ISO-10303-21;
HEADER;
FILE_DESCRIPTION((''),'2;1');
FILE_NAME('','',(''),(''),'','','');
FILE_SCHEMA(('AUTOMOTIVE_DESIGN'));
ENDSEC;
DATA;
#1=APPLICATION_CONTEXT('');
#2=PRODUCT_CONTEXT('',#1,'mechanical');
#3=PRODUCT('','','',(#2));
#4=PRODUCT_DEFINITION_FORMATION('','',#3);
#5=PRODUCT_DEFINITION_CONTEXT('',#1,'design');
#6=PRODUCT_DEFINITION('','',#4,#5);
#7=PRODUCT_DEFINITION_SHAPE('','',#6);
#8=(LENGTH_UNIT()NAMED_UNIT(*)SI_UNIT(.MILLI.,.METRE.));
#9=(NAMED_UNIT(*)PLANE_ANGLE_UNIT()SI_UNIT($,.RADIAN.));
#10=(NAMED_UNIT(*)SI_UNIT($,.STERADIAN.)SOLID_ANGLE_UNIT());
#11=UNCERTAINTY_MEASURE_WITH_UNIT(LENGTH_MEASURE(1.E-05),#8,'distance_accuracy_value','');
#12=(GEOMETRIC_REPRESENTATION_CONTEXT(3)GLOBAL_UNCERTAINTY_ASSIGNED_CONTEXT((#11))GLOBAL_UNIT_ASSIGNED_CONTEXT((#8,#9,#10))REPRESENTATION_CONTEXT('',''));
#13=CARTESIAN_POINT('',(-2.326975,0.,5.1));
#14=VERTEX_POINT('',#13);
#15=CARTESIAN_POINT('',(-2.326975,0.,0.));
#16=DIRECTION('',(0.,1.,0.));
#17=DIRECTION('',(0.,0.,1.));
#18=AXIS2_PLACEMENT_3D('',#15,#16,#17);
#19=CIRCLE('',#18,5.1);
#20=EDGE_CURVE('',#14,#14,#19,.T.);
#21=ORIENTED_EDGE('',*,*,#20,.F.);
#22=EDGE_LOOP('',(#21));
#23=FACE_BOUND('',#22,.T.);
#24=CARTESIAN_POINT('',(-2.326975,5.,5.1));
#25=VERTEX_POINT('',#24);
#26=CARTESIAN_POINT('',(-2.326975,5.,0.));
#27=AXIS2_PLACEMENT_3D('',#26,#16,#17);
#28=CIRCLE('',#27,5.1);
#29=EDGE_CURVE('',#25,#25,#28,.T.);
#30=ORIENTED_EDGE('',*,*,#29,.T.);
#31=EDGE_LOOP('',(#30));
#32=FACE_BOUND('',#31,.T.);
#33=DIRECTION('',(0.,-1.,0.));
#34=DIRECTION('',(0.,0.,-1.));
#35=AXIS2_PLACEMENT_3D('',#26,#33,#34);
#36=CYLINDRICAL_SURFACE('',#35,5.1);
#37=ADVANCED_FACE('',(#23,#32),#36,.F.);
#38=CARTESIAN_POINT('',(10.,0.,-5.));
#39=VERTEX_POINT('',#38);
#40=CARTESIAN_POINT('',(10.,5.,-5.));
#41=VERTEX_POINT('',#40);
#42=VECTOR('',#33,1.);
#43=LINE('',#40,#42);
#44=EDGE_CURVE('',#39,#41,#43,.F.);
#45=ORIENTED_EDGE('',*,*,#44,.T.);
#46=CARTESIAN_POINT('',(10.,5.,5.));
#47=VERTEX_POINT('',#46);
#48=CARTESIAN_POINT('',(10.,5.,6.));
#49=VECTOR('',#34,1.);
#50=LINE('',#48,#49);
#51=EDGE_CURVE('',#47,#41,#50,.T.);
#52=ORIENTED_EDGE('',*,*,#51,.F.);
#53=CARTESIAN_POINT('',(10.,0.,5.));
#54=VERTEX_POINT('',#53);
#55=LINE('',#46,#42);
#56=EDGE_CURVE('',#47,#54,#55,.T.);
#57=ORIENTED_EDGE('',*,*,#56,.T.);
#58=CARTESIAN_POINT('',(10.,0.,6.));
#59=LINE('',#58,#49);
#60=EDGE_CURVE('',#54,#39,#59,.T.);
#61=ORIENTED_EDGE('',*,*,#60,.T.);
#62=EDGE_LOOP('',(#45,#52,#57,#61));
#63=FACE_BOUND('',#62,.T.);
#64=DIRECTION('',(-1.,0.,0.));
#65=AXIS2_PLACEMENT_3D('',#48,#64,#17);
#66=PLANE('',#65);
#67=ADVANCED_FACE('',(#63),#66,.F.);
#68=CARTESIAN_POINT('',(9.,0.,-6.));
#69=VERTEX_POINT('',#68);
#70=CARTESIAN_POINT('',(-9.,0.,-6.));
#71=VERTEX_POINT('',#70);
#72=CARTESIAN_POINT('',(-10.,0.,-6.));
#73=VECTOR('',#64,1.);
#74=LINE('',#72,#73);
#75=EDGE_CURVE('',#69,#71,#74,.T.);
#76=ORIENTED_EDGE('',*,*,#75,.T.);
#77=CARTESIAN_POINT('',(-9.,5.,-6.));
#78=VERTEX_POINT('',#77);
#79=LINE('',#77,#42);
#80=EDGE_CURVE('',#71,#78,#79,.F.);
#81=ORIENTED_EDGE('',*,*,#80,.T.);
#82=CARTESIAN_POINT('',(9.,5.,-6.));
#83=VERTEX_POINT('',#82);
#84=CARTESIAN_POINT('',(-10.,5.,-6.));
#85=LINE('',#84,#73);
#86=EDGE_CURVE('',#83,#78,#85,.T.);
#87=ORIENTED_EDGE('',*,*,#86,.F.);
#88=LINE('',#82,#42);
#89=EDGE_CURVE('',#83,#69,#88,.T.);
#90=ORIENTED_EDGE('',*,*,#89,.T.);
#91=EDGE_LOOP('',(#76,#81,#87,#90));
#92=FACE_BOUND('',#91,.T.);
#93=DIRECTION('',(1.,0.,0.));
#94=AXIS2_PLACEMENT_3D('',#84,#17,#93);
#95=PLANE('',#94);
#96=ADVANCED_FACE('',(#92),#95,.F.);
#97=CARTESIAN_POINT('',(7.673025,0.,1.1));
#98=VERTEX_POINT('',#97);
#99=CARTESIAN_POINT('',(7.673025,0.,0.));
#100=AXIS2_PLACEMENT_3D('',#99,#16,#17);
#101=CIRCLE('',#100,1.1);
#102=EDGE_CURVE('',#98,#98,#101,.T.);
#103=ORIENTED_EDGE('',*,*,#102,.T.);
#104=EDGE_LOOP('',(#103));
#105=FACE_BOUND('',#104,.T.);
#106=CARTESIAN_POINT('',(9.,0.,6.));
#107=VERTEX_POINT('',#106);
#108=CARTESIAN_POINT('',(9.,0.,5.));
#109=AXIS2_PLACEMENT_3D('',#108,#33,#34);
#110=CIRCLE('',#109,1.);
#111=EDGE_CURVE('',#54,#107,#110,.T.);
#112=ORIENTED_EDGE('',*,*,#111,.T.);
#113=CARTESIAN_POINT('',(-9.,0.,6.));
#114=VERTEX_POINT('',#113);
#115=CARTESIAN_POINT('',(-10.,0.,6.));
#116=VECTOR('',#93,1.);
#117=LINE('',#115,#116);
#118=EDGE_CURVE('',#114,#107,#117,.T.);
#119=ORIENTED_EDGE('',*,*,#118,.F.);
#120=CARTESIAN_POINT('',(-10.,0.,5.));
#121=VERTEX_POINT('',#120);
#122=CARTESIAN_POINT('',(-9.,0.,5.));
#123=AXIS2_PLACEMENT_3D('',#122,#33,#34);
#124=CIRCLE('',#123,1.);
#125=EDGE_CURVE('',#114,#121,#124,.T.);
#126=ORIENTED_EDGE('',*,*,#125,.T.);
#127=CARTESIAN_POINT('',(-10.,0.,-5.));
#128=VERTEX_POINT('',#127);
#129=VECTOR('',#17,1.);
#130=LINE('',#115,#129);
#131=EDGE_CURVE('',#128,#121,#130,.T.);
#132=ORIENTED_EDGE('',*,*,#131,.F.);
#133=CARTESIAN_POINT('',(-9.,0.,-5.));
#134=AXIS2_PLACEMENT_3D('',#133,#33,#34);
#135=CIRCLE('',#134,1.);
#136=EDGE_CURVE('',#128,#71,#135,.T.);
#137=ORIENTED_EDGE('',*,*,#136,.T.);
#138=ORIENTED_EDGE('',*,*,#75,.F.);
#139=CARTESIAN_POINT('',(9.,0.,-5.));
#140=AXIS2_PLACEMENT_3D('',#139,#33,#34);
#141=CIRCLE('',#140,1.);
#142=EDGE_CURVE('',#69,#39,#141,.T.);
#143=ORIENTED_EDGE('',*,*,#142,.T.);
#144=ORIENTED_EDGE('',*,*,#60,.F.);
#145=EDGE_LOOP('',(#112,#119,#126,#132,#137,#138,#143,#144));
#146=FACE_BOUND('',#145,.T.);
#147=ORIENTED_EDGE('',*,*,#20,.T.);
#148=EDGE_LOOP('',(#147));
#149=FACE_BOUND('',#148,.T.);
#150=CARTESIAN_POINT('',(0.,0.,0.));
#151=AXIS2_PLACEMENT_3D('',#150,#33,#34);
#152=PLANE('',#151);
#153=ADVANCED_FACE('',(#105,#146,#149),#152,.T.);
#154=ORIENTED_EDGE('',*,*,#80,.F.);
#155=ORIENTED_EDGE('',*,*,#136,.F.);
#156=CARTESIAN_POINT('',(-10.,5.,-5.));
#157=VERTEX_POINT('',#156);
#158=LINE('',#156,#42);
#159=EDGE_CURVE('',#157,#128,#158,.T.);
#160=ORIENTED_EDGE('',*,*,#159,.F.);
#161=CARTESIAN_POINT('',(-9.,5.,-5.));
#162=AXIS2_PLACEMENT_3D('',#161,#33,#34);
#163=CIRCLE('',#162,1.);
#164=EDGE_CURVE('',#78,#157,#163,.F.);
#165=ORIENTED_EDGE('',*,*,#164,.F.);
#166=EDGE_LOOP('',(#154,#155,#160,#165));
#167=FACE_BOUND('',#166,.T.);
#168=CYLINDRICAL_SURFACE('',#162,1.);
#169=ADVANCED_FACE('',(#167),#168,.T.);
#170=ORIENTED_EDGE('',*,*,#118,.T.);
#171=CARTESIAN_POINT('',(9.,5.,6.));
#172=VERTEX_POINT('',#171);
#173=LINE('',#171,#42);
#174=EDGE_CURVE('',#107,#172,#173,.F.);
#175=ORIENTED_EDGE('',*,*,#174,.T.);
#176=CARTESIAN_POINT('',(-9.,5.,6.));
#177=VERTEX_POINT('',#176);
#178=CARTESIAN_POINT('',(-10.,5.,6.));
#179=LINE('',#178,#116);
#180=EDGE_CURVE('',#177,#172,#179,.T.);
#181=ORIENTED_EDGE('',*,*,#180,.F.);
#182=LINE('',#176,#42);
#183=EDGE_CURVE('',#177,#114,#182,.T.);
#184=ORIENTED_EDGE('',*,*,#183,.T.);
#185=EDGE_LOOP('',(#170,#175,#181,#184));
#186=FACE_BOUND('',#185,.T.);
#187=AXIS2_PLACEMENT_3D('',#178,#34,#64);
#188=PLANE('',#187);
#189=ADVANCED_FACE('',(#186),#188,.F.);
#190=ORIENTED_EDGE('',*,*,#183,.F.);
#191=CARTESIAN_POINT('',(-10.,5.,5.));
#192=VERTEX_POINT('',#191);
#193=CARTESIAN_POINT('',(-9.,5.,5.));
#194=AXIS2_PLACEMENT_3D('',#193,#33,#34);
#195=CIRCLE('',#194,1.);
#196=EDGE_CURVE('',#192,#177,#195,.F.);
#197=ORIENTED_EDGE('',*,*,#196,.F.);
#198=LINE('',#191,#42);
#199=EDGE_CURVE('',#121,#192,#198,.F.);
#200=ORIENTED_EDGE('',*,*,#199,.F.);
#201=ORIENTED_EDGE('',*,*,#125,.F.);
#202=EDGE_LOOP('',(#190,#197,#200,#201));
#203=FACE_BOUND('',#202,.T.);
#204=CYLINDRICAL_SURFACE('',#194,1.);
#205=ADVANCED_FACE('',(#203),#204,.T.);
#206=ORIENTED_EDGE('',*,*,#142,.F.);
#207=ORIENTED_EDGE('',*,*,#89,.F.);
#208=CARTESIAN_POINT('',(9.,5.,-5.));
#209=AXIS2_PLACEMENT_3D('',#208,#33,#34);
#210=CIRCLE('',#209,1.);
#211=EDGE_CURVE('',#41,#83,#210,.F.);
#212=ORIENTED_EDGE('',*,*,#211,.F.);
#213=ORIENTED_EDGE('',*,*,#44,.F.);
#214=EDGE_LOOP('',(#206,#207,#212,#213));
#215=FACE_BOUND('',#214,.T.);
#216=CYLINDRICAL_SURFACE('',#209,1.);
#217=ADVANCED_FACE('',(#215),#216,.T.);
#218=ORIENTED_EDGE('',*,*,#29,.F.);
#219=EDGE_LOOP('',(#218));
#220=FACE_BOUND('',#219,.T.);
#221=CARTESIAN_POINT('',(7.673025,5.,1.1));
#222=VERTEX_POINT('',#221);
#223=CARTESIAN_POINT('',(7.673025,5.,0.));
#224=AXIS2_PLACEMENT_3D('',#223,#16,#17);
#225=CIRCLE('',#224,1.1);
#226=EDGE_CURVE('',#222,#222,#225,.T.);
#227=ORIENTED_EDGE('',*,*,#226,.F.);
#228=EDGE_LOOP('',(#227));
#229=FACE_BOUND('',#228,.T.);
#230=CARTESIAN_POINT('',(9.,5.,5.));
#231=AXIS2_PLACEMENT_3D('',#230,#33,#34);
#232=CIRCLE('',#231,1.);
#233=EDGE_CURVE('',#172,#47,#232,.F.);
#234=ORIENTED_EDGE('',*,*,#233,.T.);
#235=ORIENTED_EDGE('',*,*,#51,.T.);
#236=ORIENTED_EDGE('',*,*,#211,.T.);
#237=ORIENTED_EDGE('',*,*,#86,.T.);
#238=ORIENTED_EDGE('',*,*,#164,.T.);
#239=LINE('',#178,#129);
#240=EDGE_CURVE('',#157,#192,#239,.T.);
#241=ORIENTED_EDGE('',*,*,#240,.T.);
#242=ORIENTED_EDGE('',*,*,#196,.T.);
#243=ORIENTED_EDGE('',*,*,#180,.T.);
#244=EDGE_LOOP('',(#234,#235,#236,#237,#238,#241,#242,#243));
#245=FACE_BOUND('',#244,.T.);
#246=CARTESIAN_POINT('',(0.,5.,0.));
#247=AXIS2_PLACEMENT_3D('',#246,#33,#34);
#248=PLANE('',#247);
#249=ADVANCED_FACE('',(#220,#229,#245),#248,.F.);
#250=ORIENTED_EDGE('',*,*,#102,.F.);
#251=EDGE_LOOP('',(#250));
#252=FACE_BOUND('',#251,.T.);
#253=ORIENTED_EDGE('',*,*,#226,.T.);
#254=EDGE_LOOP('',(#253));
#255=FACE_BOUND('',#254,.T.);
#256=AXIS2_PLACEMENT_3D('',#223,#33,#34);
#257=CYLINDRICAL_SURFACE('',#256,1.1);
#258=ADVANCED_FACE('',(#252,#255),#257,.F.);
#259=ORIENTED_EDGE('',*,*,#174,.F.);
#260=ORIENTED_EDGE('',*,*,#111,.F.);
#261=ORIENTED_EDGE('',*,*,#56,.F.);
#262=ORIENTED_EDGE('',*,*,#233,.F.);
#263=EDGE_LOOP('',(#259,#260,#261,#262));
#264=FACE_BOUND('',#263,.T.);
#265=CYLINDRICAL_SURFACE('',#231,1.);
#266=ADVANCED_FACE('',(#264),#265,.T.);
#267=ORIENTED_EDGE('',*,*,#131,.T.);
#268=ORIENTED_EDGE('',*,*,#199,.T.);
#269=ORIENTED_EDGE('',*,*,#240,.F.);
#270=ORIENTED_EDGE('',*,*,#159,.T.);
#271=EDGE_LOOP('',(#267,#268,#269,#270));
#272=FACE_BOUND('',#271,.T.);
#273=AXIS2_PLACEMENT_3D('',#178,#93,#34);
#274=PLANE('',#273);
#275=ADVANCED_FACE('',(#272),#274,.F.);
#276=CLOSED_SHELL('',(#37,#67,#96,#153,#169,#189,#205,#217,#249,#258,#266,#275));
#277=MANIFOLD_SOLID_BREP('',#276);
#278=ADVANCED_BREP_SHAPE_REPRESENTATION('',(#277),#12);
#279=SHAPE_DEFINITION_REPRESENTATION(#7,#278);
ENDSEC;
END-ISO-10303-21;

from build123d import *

# Parameters (mm, degrees)
SKETCH1_W           = 20
SKETCH1_H           = 12
SKETCH1_R           = 5.1
SKETCH1_R_2         = 1.1
BOSS_EXTRUDE1_DEPTH = 5
FILLET1_R           = 1


with BuildPart() as part:
    # Sketch1 → Boss-Extrude1 (new body)
    with BuildSketch(Plane(origin=(0, 0, 0), x_dir=(1, 0, 0), z_dir=(0, 1, 0))):
        Rectangle(SKETCH1_W, SKETCH1_H)
        with Locations(Location((-2.32697534, 0, 0), (0, 0, 270))):
            Circle(SKETCH1_R, mode=Mode.SUBTRACT)
        with Locations(Location((7.67302466, 0, 0), (0, 0, 270))):
            Circle(SKETCH1_R_2, mode=Mode.SUBTRACT)
    extrude(amount=BOSS_EXTRUDE1_DEPTH)

    # Fillet1
    fillet1_edges = [part.edges().sort_by_distance(p)[0] for p in [
        (-10, 2.5, -6),
        (10, 2.5, -6),
        (10, 2.5, 6),
        (-10, 2.5, 6),
    ]]
    fillet(fillet1_edges, radius=FILLET1_R)


solid = part.part
